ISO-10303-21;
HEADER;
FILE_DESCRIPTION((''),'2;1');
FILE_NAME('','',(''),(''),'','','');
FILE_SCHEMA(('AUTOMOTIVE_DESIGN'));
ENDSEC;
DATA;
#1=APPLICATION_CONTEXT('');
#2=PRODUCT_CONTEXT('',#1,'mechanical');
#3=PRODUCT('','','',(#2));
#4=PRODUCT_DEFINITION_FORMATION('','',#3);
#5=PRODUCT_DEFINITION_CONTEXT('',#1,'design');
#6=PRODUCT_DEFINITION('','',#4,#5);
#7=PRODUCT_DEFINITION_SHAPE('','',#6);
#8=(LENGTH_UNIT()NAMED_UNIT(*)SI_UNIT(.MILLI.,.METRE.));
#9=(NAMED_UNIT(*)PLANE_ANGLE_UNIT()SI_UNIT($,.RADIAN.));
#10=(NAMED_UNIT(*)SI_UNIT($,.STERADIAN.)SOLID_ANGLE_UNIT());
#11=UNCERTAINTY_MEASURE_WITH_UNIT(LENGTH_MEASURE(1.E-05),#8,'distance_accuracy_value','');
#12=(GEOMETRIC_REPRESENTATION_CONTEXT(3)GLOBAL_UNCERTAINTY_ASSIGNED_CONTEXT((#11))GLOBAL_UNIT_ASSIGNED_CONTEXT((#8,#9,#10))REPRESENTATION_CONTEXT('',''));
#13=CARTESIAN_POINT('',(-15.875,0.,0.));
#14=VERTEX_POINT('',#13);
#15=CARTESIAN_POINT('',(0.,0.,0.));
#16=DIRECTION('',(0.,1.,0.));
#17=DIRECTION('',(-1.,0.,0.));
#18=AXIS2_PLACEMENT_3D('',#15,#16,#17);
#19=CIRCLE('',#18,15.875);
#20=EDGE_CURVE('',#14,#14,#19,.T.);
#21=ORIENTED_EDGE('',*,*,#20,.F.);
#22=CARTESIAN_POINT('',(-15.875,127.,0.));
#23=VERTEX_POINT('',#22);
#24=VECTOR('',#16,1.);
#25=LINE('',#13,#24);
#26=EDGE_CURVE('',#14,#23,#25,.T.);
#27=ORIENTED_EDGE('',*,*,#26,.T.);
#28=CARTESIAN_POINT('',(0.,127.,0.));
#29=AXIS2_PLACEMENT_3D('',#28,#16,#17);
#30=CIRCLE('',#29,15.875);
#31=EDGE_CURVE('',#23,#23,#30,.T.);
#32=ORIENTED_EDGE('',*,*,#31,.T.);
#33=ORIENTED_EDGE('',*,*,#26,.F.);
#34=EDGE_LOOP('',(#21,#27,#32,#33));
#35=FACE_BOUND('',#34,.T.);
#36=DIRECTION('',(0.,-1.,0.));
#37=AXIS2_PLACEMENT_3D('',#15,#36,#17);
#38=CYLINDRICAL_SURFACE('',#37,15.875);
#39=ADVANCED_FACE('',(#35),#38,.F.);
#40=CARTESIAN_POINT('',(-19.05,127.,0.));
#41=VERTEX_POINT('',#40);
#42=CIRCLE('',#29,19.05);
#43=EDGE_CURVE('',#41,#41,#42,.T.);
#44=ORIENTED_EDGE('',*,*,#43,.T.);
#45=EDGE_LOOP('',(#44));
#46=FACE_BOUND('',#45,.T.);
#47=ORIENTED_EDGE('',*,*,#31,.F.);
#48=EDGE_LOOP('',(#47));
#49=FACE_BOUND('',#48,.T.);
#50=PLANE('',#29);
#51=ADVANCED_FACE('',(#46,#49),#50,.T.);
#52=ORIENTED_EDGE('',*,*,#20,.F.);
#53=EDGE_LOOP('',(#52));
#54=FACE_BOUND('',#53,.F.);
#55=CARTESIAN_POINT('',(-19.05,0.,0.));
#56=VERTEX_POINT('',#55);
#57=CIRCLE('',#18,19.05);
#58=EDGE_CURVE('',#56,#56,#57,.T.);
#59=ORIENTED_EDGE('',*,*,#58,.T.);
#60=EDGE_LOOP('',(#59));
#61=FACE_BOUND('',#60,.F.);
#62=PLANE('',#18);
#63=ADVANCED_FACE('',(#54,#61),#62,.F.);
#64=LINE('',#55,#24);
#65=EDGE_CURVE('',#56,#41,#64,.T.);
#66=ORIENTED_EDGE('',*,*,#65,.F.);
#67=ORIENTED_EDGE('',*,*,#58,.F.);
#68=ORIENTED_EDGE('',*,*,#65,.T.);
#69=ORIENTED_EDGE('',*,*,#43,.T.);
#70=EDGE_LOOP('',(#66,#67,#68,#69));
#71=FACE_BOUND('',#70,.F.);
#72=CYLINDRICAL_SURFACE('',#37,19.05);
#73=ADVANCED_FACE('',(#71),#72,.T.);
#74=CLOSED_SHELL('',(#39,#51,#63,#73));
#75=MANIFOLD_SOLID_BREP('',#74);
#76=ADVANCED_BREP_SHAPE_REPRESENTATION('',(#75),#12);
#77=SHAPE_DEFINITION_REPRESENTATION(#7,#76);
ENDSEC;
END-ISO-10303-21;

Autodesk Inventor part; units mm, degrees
ref_plane "YZ Plane" through (0, 0, 0) normal (1, 0, 0) x (0, 1, 0)
ref_plane "XZ Plane" through (0, 0, 0) normal (0, 1, 0) x (-1, 0, 0)
ref_plane "XY Plane" through (0, 0, 0) normal (0, 0, 1) x (1, 0, 0)
sketch "Sketch1" plane through (0, 0, 0) normal (0, 1, 0) x (-1, 0, 0)
  circle A0 centre (0, 0) radius 19.05
  circle A1 centre (0, 0) radius 15.875
  dimension "d0" = 38.1
  dimension "d1" = 31.75
extrude "Extrusion1" add sketch "Sketch1" along normal blind 127
properties part number "TubingForWires" material "Aluminum 6061"
